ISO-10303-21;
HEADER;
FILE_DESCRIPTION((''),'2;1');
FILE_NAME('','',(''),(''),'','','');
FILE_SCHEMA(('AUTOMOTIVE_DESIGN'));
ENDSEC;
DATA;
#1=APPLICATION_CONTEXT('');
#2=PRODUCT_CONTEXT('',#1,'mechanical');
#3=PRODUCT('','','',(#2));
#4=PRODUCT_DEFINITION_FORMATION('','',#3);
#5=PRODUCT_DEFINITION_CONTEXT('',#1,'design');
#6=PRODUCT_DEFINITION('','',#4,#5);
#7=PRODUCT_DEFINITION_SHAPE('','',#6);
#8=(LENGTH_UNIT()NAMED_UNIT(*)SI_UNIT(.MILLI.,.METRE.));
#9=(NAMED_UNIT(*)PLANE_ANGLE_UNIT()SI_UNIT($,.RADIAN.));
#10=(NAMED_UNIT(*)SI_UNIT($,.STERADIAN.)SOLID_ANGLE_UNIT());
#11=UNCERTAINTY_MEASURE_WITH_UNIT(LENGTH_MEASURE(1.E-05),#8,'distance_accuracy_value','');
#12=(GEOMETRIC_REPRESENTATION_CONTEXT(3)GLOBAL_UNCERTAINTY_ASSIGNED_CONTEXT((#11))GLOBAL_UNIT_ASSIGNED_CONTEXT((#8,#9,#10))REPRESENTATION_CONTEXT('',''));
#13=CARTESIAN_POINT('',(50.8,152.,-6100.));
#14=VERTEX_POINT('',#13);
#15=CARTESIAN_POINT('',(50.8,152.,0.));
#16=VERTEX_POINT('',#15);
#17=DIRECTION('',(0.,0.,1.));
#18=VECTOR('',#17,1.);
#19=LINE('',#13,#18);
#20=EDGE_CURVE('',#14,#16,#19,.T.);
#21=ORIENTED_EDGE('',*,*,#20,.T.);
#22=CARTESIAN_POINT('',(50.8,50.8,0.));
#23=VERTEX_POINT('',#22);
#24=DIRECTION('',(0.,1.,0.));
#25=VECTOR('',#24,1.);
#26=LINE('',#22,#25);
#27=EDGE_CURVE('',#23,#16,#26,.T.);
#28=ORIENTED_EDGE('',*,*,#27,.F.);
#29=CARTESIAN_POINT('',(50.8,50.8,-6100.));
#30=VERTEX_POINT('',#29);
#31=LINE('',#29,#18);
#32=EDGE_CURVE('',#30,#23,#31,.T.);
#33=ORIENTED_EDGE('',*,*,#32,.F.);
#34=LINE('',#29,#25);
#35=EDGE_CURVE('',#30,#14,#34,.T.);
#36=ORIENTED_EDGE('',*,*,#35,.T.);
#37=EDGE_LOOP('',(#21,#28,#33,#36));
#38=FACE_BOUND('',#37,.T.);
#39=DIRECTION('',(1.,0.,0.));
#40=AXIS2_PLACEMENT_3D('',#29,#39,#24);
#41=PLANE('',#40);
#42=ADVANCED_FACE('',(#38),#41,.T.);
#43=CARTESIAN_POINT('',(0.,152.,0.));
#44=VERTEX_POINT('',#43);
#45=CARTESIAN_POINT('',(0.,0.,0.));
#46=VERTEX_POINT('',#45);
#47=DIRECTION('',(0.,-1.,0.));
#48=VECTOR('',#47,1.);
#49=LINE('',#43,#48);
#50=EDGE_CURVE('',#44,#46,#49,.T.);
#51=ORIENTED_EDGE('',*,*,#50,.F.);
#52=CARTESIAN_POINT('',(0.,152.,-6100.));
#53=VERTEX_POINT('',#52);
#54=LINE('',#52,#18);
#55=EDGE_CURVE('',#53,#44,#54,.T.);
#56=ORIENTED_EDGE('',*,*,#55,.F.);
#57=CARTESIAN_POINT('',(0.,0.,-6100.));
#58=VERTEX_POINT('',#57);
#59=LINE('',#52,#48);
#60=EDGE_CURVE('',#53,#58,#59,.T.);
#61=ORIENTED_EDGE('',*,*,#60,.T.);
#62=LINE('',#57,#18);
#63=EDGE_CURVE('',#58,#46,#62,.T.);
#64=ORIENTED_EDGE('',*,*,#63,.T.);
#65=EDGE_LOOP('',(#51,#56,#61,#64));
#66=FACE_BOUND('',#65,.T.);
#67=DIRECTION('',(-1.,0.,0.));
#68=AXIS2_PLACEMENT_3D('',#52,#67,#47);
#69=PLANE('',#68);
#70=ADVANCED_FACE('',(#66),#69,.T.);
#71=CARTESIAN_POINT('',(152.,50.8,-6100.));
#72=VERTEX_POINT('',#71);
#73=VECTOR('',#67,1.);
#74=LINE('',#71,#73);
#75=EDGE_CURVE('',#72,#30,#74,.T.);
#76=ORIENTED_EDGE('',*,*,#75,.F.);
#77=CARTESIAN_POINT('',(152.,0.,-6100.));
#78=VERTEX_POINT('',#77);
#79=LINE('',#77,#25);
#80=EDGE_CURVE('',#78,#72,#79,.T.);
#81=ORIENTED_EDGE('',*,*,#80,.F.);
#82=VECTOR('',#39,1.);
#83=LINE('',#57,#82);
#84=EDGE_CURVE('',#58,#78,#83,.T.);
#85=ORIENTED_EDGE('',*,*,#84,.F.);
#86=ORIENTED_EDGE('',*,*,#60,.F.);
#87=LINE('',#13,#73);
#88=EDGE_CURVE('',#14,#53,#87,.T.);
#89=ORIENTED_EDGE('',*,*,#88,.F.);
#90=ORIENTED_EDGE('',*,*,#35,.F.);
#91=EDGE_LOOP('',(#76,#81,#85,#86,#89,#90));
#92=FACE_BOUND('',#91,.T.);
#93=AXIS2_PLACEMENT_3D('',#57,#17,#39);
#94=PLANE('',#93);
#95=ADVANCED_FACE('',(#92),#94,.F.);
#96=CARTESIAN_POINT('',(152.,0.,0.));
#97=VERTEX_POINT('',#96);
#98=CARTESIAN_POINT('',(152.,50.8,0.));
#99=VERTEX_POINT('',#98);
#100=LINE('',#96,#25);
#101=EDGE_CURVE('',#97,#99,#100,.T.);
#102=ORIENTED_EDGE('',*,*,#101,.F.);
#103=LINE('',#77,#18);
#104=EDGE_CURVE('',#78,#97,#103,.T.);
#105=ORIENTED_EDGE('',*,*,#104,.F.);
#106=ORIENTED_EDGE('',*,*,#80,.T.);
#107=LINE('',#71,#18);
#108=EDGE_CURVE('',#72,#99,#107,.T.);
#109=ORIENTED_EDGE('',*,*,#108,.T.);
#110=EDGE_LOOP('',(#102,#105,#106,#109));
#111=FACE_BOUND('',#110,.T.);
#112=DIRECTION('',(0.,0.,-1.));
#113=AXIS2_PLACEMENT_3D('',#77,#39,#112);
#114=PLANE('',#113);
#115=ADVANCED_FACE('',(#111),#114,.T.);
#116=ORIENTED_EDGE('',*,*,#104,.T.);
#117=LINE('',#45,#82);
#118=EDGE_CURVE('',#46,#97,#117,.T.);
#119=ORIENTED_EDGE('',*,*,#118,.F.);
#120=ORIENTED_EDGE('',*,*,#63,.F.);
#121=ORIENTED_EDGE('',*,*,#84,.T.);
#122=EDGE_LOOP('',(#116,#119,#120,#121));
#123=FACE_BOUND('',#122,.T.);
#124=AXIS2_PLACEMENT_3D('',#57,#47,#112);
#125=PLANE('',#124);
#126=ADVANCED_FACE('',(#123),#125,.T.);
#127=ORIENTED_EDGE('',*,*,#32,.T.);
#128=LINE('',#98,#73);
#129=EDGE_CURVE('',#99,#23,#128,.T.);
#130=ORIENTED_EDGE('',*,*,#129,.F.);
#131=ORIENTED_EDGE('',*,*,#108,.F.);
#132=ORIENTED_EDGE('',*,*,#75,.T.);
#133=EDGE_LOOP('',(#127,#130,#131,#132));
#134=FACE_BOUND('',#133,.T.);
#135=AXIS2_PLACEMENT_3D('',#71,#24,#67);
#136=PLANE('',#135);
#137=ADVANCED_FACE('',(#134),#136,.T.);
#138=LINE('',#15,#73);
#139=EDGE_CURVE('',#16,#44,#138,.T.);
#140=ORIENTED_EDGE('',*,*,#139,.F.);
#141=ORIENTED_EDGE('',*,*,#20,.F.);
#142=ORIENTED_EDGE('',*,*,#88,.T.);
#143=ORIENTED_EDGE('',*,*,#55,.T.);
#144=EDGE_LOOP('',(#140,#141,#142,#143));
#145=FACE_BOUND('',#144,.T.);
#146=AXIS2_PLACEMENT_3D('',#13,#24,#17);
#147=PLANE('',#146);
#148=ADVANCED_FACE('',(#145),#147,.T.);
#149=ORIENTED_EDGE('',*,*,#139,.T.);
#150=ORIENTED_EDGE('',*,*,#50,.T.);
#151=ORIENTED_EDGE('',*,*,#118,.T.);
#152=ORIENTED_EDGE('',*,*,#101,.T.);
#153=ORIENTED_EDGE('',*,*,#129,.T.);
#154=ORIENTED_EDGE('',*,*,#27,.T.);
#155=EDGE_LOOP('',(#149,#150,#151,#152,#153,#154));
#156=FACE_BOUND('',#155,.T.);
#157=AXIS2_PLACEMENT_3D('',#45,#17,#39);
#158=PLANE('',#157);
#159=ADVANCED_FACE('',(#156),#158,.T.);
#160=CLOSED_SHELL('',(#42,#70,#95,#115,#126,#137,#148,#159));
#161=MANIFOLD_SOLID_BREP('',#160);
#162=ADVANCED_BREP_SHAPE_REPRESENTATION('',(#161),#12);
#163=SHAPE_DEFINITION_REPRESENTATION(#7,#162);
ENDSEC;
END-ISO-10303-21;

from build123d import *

# Parameters (mm, degrees)
SALIENTE_EXTRUIR1_DEPTH = 6100


with BuildPart() as part:
    # Croquis1 → Saliente-Extruir1 (new body)
    with BuildSketch(Plane.XY):
        Polygon((0, 152), (0, 0), (152, 0), (152, 50.8), (50.8, 50.8), (50.8, 152), align=None)
    extrude(amount=-SALIENTE_EXTRUIR1_DEPTH)


solid = part.part
